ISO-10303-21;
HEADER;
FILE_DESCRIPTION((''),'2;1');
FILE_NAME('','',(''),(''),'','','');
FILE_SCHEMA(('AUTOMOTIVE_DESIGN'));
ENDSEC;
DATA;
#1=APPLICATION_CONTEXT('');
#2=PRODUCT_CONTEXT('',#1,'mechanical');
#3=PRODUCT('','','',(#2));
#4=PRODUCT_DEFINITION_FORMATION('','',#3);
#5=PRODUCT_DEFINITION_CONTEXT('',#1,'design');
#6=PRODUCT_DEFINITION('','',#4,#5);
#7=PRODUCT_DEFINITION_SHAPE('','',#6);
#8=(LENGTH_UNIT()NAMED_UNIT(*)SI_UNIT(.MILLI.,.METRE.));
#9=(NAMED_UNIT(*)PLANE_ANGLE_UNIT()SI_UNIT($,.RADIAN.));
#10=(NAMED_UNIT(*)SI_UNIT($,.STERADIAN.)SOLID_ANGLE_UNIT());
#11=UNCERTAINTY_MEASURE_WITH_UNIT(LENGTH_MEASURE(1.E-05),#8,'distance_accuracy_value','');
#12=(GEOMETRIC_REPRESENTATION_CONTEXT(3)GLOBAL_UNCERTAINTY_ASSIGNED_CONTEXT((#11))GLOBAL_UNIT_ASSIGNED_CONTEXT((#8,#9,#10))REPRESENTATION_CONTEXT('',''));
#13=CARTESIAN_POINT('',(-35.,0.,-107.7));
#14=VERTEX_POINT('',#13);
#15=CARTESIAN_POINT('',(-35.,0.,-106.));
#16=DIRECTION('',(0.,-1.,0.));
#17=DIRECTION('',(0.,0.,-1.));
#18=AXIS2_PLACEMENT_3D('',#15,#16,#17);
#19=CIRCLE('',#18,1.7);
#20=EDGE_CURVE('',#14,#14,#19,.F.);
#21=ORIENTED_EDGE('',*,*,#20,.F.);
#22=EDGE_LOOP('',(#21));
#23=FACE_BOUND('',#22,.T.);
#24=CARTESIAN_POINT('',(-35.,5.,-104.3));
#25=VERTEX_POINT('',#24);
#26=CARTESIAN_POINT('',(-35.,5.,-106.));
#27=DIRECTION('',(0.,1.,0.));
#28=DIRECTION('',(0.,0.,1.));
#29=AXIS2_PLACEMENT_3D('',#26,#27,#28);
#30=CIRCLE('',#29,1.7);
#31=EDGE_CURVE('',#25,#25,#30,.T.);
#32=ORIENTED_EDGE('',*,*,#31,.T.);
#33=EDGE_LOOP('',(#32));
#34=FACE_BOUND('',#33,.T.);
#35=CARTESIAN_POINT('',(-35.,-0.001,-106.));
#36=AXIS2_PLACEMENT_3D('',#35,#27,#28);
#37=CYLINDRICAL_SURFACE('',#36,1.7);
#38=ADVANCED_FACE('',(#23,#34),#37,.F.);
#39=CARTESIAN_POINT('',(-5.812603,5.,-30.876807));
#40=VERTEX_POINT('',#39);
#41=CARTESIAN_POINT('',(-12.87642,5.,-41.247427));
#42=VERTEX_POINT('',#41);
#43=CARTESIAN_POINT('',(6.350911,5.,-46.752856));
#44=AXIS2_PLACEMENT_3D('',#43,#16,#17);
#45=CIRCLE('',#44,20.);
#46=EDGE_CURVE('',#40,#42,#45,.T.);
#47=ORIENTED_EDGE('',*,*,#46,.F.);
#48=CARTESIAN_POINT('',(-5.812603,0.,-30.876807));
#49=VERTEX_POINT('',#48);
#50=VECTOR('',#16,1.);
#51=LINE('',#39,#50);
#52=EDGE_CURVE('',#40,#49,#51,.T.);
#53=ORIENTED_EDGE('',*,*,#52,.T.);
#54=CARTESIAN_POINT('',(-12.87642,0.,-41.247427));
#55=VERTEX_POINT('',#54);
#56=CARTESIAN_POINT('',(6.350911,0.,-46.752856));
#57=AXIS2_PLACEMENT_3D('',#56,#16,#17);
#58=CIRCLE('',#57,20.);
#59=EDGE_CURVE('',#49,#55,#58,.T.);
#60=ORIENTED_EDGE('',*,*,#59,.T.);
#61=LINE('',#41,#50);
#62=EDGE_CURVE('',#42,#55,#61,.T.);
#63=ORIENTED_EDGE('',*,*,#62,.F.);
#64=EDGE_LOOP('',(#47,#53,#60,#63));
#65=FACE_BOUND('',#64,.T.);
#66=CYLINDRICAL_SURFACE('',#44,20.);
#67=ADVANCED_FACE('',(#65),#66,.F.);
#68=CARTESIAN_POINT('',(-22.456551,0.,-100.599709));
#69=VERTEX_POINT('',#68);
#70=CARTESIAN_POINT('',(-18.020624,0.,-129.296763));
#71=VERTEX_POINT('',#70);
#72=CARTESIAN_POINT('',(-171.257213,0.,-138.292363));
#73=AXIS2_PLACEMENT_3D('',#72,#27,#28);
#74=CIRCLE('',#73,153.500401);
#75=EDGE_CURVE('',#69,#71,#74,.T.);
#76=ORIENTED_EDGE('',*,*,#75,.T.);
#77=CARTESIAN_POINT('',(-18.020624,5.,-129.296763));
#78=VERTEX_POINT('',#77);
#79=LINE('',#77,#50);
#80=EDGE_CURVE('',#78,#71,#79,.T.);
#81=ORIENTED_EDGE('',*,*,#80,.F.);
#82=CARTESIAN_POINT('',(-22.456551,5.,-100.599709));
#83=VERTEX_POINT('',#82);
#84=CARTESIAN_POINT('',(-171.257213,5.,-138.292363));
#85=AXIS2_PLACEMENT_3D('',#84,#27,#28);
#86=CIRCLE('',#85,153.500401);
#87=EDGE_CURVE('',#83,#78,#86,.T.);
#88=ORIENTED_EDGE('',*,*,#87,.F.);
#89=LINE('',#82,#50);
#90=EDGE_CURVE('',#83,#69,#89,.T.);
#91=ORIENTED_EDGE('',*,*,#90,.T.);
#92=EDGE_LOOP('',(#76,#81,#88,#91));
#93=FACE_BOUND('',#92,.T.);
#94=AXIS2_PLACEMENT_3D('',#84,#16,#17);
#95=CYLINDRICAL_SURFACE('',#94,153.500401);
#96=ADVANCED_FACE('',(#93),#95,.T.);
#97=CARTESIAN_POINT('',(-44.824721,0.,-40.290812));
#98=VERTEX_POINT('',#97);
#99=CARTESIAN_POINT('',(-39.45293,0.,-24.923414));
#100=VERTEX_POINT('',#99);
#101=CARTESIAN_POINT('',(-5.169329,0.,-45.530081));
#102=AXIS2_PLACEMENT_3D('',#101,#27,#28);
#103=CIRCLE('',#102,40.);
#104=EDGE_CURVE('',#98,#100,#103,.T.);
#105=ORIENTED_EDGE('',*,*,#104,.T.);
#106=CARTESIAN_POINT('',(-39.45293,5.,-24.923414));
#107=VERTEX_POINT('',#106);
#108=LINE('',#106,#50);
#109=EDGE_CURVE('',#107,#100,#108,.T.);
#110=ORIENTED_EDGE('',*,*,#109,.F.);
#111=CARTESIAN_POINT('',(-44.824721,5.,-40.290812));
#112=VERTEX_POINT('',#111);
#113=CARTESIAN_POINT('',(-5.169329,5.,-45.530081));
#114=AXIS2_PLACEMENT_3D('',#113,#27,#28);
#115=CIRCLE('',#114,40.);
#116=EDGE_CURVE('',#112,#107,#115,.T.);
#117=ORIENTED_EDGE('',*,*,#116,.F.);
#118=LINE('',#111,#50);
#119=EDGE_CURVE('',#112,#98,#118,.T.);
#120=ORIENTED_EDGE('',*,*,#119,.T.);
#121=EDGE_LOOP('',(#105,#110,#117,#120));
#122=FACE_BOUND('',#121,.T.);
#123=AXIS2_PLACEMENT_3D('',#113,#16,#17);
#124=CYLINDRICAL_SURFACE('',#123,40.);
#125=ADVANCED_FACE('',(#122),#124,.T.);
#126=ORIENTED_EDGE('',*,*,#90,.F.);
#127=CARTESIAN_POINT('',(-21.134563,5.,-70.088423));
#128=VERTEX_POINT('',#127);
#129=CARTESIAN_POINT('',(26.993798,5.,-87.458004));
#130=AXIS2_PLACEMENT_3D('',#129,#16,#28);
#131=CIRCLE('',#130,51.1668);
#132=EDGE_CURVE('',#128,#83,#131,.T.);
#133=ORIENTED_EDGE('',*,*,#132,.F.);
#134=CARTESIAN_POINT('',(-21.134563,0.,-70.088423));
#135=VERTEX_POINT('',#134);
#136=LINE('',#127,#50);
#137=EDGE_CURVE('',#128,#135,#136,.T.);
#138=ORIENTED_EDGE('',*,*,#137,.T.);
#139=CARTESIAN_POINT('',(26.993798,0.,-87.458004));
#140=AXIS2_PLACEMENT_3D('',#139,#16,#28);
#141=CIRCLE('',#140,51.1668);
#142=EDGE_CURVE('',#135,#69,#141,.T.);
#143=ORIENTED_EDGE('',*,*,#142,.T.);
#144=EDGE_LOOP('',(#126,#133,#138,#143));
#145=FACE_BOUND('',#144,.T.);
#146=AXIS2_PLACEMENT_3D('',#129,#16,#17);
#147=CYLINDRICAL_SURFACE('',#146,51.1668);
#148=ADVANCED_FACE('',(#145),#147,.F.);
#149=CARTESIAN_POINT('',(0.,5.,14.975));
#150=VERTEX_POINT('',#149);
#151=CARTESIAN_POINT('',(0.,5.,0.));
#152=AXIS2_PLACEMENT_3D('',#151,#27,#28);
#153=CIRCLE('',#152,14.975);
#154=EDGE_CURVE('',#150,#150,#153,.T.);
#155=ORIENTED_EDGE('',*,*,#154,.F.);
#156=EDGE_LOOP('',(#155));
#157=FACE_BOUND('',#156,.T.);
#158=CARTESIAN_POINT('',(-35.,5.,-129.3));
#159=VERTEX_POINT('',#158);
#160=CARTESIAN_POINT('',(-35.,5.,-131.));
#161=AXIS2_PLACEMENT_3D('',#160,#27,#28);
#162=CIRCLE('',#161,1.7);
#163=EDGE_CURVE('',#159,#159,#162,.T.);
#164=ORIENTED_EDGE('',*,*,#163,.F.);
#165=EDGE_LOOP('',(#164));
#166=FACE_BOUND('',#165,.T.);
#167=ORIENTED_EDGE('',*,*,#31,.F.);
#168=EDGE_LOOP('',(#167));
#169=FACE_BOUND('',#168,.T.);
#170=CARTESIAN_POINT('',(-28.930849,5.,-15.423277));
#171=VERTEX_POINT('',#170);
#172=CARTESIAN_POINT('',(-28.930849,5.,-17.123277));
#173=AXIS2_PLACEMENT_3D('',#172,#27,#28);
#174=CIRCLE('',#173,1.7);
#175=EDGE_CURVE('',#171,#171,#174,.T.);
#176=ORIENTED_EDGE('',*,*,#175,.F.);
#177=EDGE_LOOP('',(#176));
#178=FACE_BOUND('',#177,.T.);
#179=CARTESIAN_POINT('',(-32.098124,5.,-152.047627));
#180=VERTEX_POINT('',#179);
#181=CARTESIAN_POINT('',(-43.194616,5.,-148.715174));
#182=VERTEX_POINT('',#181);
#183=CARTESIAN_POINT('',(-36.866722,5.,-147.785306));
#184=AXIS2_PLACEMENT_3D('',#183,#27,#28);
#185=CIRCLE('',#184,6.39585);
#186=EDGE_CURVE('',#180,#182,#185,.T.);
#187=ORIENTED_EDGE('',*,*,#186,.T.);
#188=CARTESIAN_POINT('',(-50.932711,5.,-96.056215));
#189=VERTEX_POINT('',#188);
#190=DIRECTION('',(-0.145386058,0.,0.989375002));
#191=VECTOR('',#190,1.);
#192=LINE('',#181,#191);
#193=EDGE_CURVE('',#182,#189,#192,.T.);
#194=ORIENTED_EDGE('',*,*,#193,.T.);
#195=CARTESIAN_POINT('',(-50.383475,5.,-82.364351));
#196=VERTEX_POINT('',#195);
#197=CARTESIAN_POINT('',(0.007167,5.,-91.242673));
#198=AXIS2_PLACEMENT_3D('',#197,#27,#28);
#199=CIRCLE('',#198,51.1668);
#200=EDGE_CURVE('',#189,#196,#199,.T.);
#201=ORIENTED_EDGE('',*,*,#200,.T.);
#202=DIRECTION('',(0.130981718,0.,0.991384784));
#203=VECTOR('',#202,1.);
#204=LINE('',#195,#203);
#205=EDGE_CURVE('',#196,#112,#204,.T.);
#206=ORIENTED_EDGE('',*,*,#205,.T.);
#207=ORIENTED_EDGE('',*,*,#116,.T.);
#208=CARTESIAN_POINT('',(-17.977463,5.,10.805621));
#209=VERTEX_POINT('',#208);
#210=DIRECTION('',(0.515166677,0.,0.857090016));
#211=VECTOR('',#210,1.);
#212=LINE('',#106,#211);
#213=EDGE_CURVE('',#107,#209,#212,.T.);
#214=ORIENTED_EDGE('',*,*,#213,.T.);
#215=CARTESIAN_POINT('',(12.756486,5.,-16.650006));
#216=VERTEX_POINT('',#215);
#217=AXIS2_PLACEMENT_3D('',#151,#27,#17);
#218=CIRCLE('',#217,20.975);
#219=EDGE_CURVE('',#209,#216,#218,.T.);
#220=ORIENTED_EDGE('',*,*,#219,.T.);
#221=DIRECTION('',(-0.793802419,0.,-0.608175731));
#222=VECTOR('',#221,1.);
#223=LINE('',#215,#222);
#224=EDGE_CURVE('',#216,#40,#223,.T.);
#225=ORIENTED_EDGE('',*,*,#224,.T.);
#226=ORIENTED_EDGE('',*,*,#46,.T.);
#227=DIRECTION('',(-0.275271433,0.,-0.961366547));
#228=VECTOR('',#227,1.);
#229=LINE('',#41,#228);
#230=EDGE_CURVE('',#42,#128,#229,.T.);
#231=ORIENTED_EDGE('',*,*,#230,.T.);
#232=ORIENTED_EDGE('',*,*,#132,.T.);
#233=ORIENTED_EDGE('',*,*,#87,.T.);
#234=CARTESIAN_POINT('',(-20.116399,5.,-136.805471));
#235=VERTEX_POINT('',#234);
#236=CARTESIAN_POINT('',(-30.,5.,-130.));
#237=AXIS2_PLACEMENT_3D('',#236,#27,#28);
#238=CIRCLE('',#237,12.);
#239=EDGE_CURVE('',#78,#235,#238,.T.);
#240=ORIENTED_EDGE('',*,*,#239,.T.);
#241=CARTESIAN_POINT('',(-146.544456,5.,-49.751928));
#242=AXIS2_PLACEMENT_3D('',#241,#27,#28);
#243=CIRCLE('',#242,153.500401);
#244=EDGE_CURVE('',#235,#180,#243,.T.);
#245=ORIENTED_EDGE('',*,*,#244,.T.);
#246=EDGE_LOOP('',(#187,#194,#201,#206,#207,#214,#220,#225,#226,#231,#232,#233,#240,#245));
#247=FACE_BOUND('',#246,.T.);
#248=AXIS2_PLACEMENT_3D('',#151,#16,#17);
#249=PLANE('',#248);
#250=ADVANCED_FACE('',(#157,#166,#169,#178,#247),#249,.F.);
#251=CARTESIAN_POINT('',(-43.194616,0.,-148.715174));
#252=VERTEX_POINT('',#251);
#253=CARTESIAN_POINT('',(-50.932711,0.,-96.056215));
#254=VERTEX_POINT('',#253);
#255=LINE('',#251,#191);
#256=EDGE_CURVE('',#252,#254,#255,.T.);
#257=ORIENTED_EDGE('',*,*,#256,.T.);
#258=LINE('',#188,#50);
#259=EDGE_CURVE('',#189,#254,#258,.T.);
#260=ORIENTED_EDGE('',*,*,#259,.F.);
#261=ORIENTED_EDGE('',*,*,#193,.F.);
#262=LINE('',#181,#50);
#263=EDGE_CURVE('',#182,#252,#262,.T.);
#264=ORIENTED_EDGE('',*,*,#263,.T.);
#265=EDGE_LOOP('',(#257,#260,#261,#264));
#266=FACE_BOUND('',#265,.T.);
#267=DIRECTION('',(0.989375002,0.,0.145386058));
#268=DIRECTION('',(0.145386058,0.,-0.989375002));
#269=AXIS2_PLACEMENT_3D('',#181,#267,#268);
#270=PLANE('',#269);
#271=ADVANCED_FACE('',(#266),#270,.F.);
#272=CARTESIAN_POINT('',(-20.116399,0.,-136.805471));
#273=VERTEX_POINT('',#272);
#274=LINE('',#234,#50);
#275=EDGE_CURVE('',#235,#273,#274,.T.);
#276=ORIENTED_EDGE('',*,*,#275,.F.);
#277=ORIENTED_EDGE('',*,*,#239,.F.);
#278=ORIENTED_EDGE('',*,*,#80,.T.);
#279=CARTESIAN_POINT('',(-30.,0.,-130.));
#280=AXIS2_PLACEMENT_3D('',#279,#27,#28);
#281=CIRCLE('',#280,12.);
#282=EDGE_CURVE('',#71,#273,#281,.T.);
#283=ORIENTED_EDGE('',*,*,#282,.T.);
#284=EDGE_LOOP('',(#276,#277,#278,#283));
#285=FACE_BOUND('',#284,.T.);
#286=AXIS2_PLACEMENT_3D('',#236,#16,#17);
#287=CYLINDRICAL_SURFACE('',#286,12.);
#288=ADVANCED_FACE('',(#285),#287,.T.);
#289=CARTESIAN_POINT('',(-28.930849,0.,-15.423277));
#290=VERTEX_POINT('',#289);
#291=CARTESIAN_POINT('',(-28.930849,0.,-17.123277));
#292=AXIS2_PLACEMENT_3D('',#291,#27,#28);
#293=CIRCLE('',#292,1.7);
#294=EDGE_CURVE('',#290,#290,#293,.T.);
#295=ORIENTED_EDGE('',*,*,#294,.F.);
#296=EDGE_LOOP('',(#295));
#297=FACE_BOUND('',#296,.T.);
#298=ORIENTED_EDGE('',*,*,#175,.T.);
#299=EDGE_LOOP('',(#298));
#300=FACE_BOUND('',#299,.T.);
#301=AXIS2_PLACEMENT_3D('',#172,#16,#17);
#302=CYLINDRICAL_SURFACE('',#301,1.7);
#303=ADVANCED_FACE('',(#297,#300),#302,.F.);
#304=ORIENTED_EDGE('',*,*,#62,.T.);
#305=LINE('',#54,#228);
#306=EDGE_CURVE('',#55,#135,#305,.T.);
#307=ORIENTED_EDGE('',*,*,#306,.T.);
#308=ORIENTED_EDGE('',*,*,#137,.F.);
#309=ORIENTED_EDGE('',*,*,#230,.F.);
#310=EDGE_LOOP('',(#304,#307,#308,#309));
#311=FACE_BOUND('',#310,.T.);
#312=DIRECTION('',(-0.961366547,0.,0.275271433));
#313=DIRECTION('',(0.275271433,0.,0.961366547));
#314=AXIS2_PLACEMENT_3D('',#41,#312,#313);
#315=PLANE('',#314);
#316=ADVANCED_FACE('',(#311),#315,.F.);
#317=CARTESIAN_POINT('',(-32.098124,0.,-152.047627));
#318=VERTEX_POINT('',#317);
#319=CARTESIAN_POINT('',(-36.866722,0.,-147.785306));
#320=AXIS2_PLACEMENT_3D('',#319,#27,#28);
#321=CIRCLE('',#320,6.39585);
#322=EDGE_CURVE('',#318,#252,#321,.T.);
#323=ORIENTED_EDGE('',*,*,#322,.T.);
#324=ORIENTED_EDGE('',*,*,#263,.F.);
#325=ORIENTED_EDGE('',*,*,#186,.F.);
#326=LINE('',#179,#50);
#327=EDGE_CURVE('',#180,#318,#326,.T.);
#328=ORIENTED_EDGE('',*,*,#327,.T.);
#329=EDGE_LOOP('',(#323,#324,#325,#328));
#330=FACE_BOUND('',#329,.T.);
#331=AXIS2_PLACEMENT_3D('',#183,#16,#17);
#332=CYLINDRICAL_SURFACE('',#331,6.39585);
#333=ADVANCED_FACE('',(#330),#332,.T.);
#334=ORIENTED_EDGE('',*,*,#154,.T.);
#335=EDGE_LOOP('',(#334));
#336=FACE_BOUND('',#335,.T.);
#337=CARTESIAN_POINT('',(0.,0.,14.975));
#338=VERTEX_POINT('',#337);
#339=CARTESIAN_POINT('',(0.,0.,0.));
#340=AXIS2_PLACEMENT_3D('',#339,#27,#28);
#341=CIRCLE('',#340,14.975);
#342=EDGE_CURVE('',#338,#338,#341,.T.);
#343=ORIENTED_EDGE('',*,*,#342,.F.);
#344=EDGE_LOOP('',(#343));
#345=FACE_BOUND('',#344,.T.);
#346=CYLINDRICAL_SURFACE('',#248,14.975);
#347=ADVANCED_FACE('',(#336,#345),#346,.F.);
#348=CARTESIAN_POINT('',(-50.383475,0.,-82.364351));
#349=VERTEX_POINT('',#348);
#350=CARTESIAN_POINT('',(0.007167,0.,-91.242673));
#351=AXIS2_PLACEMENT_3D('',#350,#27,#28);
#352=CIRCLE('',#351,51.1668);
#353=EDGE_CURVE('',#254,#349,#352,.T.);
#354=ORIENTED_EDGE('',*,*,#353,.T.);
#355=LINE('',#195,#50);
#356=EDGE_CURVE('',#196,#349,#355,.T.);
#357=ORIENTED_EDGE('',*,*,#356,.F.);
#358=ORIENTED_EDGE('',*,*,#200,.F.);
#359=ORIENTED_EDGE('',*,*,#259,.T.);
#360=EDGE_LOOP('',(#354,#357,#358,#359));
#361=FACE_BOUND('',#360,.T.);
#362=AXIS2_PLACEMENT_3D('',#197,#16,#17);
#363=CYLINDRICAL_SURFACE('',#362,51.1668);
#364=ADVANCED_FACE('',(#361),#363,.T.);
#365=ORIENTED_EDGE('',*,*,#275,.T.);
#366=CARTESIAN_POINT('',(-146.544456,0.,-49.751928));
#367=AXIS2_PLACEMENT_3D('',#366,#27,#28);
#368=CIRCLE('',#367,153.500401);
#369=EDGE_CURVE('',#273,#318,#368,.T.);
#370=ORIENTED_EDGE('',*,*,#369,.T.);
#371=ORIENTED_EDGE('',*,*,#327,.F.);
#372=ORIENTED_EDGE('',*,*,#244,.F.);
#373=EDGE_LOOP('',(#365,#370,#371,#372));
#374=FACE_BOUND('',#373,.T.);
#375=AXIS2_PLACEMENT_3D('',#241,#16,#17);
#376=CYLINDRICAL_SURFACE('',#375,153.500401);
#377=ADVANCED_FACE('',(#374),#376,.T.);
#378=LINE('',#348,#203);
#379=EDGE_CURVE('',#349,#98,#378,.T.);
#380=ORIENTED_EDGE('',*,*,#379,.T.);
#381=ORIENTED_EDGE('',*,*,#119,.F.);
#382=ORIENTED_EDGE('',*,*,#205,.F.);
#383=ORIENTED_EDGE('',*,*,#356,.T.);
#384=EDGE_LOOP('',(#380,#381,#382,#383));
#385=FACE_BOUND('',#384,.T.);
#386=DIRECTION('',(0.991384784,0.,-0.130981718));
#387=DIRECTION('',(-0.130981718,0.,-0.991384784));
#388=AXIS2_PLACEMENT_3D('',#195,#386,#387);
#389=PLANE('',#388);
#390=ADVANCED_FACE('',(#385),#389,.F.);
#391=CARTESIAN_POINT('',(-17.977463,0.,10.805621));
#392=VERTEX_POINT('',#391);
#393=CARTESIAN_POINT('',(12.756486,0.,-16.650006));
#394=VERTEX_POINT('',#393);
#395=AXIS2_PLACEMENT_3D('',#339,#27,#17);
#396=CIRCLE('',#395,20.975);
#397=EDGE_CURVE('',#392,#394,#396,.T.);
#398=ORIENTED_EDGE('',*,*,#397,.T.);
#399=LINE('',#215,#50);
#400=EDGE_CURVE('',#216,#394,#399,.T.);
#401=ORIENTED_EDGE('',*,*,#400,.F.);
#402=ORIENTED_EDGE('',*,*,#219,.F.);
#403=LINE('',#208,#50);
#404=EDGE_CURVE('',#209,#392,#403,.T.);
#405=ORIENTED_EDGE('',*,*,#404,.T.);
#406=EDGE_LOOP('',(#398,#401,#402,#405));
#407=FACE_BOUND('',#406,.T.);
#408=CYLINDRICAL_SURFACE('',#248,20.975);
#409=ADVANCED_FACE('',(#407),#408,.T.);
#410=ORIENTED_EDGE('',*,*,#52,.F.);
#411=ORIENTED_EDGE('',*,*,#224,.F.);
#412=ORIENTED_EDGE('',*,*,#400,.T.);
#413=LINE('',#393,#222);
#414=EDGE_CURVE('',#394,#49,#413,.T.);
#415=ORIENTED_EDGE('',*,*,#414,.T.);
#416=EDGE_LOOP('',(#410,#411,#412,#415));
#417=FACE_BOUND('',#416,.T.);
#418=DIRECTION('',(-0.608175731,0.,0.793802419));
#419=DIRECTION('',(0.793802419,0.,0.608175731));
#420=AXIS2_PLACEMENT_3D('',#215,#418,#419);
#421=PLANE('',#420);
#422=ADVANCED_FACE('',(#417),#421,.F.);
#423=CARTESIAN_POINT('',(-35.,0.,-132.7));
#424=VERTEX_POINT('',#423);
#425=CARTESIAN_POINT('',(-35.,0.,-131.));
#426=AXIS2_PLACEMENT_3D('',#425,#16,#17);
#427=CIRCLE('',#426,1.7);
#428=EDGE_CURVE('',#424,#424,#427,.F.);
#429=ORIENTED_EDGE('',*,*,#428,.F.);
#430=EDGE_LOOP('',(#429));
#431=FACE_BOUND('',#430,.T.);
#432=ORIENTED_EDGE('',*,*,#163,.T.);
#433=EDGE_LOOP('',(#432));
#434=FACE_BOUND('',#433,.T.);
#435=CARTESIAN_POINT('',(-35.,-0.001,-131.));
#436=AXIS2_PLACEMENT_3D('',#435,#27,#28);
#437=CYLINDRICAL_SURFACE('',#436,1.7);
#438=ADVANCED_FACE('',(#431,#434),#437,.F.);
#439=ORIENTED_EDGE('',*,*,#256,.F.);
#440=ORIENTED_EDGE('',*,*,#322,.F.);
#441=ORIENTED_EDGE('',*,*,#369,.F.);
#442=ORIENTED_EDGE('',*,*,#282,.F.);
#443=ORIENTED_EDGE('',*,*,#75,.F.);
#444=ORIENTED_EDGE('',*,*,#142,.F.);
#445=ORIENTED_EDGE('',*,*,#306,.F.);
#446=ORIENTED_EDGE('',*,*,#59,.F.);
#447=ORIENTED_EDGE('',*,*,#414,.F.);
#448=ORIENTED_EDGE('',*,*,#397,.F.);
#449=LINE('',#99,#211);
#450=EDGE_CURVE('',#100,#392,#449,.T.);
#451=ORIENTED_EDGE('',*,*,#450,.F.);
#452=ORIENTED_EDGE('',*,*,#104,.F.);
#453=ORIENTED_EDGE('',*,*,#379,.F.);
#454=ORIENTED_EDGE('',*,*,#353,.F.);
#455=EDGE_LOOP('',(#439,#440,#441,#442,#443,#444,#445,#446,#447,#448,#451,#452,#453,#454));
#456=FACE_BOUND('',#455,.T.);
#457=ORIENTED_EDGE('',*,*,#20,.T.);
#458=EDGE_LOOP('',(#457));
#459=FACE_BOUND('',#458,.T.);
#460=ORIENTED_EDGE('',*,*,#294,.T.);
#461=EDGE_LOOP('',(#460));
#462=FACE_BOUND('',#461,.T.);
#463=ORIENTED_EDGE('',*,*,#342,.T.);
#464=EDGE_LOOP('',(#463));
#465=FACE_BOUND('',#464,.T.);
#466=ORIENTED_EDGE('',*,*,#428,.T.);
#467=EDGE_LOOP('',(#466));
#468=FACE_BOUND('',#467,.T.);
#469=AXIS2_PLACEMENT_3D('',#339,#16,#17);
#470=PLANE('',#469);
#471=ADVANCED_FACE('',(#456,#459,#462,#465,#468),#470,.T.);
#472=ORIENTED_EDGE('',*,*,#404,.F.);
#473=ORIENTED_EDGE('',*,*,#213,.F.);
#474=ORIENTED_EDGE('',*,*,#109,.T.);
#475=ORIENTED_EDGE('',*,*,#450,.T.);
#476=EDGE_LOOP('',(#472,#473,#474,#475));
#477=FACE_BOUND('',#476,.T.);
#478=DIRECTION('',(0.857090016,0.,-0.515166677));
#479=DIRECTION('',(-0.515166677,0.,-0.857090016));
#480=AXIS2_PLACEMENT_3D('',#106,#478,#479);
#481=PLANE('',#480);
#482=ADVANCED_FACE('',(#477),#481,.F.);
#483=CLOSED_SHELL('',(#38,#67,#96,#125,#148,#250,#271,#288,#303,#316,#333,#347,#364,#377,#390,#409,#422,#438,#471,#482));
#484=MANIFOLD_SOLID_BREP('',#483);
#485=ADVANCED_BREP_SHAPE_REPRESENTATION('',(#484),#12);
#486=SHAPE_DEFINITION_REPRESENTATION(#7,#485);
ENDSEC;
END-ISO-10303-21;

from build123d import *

# Parameters (mm, degrees)
SKETCH1_R           = 14.975
SKETCH1_R_2         = 1.7
BOSS_EXTRUDE2_DEPTH = 5
CUT_EXTRUDE1_REACH  = 164.524
SKETCH3_R           = 1.7


with BuildPart() as part:
    # Sketch1 → Boss-Extrude2 (new body)
    with BuildSketch(Plane(origin=(0, 0, 0), x_dir=(1, 0, 0), z_dir=(0, 1, 0))):
        with BuildLine():
            Line((12.756485957, 16.650005737), (-5.812603326, 30.876807241))
            ThreePointArc((-5.812603326, 30.876807241), (-10.178871966, 35.493803021), (-12.876419651, 41.247426954))
            Line((-12.876419651, 41.247426954), (-21.13456265, 70.088423369))
            ThreePointArc((-21.13456265, 70.088423369), (-24.125041887, 85.243134658), (-22.456551163, 100.599709115))
            ThreePointArc((-22.456551163, 100.599709115), (-19.558480324, 114.843106453), (-18.020623668, 129.29676271))
            ThreePointArc((-18.020623668, 129.29676271), (-18.441772746, 133.226047543), (-20.116399197, 136.805470974))
            ThreePointArc((-20.116399197, 136.805470974), (-25.866377757, 144.615905974), (-32.098124488, 152.047627243))
            ThreePointArc((-32.098124488, 152.047627243), (-38.706331156, 153.910886754), (-43.194615771, 148.715173848))
            Line((-43.194615771, 148.715173848), (-50.932711484, 96.056215067))
            ThreePointArc((-50.932711484, 96.056215067), (-51.118515181, 89.191813761), (-50.383474997, 82.364351257))
            Line((-50.383474997, 82.364351257), (-44.824720745, 40.290812443))
            ThreePointArc((-44.824720745, 40.290812443), (-42.928869469, 32.33094735), (-39.452930017, 24.92341407))
            Line((-39.452930017, 24.92341407), (-17.977463078, -10.80562105))
            ThreePointArc((-17.977463078, -10.80562105), (13.973815194, -15.642350012), (12.756485957, 16.650005737))
        make_face()
        with Locations(Location((0, 0, 0), (0, 0, 270))):
            Circle(SKETCH1_R, mode=Mode.SUBTRACT)
        with Locations(Location((-28.930848813, 17.123276905, 0), (0, 0, 270))):
            Circle(SKETCH1_R_2, mode=Mode.SUBTRACT)
    extrude(amount=BOSS_EXTRUDE2_DEPTH)

    # Sketch3 → Cut-Extrude1 (cut, up to next)
    with BuildSketch(Plane(origin=(0, 5, 0), x_dir=(1, 0, 0), z_dir=(0, 1, 0)), mode=Mode.PRIVATE) as cut_extrude1_sk1:
        with Locations(Location((-35, 131, 0), (0, 0, 270))):
            Circle(SKETCH3_R)
    cut_extrude1_tool1 = extrude(cut_extrude1_sk1.sketch, amount=-CUT_EXTRUDE1_REACH, mode=Mode.PRIVATE) & part.part
    # Sketch3 → Cut-Extrude1 (cut, up to next)
    with BuildSketch(Plane(origin=(0, 5, 0), x_dir=(1, 0, 0), z_dir=(0, 1, 0)), mode=Mode.PRIVATE) as cut_extrude1_sk2:
        with Locations(Location((-35, 106, 0), (0, 0, 270))):
            Circle(SKETCH3_R)
    cut_extrude1_tool2 = extrude(cut_extrude1_sk2.sketch, amount=-CUT_EXTRUDE1_REACH, mode=Mode.PRIVATE) & part.part
    add(cut_extrude1_tool1.solids().sort_by_distance((-35, 5, -131))[0], mode=Mode.SUBTRACT)
    add(cut_extrude1_tool2.solids().sort_by_distance((-35, 5, -106))[0], mode=Mode.SUBTRACT)


solid = part.part
